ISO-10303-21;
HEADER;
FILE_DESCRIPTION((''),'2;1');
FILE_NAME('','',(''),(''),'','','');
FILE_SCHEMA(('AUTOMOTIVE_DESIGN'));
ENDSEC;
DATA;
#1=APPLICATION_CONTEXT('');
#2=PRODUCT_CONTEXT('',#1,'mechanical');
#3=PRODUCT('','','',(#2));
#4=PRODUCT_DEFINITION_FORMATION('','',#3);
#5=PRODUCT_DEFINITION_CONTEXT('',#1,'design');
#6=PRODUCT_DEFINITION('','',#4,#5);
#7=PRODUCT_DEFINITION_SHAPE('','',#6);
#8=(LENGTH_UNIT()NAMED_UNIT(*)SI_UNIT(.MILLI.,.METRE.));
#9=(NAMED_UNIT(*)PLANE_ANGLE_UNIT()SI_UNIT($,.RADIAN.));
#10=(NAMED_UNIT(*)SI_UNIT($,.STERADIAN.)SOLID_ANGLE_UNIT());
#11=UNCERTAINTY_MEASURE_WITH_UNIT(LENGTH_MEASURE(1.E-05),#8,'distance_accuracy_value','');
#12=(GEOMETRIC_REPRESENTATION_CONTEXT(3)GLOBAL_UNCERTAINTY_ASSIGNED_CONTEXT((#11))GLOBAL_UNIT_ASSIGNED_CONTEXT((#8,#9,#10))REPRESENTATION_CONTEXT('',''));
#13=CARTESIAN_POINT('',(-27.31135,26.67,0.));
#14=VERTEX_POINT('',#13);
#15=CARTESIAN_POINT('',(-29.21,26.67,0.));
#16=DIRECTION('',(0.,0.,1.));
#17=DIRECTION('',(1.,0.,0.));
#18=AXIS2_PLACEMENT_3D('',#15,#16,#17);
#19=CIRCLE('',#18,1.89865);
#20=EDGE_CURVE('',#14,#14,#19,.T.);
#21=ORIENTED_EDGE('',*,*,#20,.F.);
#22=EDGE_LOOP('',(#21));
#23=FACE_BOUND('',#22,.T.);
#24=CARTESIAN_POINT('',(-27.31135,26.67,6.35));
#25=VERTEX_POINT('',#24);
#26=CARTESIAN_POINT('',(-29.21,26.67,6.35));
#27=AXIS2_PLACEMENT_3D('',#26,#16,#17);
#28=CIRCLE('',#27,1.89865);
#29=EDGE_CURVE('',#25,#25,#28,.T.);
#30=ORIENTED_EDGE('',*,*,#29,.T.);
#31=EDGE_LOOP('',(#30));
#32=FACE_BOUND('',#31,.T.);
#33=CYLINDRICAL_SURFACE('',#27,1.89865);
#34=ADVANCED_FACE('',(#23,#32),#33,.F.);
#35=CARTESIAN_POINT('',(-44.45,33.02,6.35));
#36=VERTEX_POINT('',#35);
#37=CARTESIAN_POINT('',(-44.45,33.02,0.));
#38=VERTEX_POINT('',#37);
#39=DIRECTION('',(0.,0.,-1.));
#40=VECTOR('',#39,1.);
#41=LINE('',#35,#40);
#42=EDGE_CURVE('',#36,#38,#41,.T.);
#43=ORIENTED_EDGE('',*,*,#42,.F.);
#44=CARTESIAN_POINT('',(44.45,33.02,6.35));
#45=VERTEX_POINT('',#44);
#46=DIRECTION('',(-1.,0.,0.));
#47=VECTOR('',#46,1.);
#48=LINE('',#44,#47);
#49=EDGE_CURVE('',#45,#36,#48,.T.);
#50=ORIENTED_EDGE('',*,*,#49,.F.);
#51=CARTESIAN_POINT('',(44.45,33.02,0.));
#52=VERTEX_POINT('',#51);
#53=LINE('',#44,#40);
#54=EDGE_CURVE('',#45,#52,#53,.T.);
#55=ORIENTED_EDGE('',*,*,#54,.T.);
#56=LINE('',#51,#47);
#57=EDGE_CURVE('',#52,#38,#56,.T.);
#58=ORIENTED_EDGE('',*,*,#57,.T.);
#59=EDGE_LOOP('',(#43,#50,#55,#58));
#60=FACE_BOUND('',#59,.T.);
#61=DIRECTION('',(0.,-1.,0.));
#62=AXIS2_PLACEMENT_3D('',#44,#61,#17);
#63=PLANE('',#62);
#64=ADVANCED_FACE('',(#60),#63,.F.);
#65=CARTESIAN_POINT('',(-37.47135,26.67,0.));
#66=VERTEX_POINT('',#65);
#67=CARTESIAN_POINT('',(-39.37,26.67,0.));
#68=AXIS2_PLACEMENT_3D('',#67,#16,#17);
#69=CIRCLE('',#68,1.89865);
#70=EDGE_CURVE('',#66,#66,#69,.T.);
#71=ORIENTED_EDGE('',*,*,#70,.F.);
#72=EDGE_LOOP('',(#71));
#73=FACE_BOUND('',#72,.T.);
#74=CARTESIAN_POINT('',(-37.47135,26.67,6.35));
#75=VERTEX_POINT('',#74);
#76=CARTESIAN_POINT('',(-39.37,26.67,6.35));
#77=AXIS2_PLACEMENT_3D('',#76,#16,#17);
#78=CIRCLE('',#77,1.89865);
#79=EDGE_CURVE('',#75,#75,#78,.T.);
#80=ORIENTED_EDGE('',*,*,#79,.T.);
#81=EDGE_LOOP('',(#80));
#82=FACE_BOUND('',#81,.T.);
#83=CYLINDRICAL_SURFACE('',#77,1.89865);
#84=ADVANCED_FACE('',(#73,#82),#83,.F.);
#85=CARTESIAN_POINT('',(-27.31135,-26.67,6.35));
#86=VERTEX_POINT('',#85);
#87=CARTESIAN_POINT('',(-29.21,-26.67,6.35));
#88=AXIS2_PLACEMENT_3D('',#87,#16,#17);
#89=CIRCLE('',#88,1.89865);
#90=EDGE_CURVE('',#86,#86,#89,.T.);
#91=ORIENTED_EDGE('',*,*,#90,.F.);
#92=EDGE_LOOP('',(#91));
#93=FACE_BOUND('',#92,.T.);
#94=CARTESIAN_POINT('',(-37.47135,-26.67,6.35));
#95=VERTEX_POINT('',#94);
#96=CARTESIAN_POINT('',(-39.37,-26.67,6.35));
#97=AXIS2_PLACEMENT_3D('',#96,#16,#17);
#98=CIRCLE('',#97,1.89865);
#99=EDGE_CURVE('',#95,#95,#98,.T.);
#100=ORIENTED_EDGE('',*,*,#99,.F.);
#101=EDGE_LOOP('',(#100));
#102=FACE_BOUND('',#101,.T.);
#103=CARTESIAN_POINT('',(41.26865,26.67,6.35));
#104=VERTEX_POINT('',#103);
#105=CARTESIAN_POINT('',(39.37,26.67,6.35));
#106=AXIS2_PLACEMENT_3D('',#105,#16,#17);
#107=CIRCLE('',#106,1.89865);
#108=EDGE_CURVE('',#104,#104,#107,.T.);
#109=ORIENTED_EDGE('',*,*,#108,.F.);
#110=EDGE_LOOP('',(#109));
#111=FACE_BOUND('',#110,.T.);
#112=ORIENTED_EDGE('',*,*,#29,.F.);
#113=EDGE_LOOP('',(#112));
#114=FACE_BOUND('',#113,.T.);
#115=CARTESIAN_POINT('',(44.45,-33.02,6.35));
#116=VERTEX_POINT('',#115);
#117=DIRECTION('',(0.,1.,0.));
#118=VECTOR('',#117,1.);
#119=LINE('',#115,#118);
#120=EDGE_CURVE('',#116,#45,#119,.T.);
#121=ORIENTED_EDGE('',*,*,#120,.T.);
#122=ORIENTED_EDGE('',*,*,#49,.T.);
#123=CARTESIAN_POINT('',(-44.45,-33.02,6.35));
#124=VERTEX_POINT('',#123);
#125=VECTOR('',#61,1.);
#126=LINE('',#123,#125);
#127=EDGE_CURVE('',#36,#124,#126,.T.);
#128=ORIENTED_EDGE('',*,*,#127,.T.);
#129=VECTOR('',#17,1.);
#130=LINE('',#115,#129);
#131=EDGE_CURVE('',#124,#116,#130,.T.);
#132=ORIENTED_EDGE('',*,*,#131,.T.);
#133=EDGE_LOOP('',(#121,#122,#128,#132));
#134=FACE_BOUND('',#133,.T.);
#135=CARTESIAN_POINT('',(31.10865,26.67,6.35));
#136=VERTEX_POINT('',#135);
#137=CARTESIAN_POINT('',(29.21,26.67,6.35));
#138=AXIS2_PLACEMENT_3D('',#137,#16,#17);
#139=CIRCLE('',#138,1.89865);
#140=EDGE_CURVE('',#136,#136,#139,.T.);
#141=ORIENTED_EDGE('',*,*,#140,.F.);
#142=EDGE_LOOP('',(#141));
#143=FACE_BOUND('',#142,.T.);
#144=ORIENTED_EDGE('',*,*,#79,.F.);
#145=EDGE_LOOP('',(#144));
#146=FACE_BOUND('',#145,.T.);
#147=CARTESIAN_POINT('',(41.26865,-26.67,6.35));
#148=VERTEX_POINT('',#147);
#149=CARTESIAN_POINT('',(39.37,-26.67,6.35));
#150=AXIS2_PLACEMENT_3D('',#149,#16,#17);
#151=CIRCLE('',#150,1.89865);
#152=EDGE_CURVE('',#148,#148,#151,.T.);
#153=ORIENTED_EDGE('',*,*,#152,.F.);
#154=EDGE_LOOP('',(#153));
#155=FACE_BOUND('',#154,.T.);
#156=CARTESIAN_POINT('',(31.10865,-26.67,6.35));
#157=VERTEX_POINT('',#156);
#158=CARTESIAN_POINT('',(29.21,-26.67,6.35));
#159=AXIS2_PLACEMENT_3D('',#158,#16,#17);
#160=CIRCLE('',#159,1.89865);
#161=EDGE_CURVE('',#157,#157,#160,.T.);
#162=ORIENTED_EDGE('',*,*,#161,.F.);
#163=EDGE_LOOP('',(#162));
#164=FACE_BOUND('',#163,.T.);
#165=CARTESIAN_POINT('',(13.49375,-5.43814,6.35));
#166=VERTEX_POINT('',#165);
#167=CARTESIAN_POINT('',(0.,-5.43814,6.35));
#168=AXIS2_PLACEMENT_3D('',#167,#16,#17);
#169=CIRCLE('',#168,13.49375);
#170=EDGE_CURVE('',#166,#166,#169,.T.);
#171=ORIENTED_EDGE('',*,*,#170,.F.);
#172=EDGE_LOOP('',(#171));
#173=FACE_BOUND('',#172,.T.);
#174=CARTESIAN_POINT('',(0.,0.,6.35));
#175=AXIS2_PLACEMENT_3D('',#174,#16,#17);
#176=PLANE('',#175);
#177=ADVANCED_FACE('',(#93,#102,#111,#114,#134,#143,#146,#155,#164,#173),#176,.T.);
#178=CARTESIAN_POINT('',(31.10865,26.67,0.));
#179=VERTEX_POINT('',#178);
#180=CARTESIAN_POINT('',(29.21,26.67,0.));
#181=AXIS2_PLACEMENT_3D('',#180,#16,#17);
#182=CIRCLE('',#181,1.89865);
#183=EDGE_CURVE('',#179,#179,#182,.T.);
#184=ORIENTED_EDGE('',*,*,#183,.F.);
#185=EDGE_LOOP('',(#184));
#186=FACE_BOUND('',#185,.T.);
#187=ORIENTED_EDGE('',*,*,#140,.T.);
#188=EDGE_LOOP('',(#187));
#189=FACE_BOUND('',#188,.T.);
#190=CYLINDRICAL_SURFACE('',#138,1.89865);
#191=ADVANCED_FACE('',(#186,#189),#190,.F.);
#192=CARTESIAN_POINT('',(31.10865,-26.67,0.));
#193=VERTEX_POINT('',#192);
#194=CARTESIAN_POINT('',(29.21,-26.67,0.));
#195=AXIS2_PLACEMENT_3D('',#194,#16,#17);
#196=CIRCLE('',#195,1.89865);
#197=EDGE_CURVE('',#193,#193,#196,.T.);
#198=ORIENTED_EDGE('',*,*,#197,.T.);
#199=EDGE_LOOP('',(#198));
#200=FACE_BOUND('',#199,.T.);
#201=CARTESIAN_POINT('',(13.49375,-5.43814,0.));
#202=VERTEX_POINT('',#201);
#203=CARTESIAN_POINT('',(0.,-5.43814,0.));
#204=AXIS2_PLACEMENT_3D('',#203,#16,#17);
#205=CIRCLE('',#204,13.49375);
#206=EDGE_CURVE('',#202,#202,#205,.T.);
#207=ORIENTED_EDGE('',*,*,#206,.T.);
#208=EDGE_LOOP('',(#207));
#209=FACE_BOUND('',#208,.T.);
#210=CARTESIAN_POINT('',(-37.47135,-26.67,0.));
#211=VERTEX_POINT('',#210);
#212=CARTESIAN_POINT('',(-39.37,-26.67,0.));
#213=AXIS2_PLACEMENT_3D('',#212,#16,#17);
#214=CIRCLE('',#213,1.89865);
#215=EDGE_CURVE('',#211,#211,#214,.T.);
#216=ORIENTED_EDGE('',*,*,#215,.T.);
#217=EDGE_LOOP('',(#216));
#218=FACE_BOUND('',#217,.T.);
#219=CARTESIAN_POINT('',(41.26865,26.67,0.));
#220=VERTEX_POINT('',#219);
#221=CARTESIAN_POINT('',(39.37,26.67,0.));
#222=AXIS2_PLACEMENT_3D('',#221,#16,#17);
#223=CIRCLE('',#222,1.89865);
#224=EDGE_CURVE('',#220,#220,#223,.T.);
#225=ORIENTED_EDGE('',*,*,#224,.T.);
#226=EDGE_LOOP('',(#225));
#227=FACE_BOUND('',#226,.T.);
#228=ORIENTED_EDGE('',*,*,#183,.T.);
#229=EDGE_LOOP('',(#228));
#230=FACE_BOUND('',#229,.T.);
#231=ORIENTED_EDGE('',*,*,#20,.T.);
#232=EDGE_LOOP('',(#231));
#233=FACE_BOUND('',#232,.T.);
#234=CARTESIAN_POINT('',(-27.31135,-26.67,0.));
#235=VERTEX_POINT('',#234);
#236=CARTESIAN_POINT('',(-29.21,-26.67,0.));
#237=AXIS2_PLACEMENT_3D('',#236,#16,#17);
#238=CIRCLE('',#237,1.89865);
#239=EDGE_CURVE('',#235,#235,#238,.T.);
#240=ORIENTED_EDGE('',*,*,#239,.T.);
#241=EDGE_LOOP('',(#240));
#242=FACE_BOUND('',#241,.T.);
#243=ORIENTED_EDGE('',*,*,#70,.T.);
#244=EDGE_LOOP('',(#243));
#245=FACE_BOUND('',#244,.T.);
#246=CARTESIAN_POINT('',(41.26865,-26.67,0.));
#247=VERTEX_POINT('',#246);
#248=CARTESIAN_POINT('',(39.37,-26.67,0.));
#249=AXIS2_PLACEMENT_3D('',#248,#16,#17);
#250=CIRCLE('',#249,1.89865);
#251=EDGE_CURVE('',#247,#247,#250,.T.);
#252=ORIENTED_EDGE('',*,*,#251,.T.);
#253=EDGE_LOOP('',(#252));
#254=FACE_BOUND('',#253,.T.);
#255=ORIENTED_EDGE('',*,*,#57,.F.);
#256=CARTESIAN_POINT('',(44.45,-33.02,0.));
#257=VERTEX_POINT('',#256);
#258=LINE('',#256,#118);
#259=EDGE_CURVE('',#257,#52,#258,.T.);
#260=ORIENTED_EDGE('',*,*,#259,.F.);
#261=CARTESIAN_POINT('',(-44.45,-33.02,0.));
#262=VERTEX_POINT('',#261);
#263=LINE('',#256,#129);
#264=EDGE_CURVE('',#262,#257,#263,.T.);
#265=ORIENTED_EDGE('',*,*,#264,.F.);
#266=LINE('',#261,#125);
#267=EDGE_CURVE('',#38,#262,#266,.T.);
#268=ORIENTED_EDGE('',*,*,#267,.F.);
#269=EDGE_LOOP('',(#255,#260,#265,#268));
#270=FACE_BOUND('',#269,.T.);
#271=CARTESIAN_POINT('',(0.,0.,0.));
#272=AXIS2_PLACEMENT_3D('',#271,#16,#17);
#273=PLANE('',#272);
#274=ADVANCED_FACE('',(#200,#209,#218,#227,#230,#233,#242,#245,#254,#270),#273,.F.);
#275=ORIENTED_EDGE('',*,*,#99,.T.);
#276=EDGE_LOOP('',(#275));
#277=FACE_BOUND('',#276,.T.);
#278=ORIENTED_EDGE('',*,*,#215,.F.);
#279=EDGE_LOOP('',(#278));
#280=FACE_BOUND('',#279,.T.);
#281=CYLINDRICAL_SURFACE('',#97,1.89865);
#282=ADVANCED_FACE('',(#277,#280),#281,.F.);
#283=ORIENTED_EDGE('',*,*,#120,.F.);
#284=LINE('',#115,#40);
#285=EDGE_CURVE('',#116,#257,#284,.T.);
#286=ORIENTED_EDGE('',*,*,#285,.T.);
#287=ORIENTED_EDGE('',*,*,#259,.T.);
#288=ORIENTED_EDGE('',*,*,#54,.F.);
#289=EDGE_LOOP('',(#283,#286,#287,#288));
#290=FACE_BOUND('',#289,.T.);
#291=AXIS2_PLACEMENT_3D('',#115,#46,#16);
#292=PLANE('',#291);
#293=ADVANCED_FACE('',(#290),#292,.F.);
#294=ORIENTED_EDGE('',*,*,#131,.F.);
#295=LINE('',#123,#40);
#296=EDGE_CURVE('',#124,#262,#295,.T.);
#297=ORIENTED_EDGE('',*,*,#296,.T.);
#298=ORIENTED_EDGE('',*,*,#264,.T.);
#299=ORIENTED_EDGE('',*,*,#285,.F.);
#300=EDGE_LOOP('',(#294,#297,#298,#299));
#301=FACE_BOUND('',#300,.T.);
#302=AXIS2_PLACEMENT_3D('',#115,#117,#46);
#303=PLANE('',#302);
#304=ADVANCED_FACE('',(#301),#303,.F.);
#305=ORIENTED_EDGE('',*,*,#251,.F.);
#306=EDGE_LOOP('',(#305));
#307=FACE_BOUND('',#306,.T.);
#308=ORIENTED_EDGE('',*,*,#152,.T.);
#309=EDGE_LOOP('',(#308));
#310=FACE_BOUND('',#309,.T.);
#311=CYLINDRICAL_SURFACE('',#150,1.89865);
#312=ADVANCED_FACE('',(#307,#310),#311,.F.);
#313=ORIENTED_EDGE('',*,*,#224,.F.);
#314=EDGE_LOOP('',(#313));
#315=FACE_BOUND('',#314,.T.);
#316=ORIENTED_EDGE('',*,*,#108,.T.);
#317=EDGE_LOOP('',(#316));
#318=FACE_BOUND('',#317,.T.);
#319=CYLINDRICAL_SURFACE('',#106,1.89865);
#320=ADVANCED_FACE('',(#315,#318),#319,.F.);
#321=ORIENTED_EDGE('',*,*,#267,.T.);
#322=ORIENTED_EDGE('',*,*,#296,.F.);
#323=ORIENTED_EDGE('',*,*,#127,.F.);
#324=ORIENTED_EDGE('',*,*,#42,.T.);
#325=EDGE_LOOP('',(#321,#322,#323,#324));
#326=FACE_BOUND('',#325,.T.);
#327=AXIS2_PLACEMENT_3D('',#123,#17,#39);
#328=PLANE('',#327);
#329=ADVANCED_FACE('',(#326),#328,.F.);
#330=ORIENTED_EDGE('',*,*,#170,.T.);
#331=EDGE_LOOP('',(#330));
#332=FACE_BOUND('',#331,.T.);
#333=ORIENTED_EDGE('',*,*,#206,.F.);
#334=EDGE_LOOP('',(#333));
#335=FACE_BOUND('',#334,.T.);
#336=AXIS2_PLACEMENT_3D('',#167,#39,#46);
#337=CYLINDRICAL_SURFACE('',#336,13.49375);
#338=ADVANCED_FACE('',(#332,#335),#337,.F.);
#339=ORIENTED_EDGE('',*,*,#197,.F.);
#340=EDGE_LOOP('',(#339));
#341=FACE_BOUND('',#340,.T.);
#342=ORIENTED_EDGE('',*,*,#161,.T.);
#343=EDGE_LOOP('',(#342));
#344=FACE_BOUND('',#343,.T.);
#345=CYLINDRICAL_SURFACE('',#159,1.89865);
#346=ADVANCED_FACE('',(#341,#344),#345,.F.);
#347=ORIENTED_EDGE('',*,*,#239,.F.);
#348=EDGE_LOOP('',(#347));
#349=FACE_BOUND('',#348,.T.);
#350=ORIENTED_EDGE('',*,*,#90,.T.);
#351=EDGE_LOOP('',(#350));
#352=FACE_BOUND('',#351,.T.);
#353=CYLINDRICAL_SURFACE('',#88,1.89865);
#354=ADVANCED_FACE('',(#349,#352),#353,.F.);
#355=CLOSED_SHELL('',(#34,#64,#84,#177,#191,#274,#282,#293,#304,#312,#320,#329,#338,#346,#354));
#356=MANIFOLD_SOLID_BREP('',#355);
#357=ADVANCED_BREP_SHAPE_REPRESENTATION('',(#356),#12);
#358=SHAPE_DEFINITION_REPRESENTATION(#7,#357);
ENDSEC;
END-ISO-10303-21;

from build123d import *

# Parameters (mm, degrees)
SKETCH1_W             = 88.9
SKETCH1_H             = 66.04
SKETCH1_R             = 13.49375
BOSS_EXTRUDE1_DEPTH   = 6.35
F_6_CLEARANCE_HOLE1_D = 3.7973
F_6_CLEARANCE_HOLE2_D = 3.7973


with BuildPart() as part:
    # Sketch1 → Boss-Extrude1 (new body)
    with BuildSketch(Plane.XY):
        Rectangle(SKETCH1_W, SKETCH1_H)
        with Locations((0, -5.43814)):
            Circle(SKETCH1_R, mode=Mode.SUBTRACT)
    extrude(amount=BOSS_EXTRUDE1_DEPTH)

    # #6 Clearance Hole1 (through all)
    with Locations(Plane.XY.offset(6.35)):
        with Locations((-39.37, -26.67), (-29.21, -26.67), (29.21, -26.67), (39.37, -26.67)):
            Hole(F_6_CLEARANCE_HOLE1_D / 2)

    # #6 Clearance Hole2 (through all)
    with Locations(Plane(origin=(-39.37, 26.67, 6.35), x_dir=(1, 0, 0), z_dir=(0, 0, 1))):
        with Locations((0, 0), (10.16, 0), (68.58, 0), (78.74, 0)):
            Hole(F_6_CLEARANCE_HOLE2_D / 2)


solid = part.part
